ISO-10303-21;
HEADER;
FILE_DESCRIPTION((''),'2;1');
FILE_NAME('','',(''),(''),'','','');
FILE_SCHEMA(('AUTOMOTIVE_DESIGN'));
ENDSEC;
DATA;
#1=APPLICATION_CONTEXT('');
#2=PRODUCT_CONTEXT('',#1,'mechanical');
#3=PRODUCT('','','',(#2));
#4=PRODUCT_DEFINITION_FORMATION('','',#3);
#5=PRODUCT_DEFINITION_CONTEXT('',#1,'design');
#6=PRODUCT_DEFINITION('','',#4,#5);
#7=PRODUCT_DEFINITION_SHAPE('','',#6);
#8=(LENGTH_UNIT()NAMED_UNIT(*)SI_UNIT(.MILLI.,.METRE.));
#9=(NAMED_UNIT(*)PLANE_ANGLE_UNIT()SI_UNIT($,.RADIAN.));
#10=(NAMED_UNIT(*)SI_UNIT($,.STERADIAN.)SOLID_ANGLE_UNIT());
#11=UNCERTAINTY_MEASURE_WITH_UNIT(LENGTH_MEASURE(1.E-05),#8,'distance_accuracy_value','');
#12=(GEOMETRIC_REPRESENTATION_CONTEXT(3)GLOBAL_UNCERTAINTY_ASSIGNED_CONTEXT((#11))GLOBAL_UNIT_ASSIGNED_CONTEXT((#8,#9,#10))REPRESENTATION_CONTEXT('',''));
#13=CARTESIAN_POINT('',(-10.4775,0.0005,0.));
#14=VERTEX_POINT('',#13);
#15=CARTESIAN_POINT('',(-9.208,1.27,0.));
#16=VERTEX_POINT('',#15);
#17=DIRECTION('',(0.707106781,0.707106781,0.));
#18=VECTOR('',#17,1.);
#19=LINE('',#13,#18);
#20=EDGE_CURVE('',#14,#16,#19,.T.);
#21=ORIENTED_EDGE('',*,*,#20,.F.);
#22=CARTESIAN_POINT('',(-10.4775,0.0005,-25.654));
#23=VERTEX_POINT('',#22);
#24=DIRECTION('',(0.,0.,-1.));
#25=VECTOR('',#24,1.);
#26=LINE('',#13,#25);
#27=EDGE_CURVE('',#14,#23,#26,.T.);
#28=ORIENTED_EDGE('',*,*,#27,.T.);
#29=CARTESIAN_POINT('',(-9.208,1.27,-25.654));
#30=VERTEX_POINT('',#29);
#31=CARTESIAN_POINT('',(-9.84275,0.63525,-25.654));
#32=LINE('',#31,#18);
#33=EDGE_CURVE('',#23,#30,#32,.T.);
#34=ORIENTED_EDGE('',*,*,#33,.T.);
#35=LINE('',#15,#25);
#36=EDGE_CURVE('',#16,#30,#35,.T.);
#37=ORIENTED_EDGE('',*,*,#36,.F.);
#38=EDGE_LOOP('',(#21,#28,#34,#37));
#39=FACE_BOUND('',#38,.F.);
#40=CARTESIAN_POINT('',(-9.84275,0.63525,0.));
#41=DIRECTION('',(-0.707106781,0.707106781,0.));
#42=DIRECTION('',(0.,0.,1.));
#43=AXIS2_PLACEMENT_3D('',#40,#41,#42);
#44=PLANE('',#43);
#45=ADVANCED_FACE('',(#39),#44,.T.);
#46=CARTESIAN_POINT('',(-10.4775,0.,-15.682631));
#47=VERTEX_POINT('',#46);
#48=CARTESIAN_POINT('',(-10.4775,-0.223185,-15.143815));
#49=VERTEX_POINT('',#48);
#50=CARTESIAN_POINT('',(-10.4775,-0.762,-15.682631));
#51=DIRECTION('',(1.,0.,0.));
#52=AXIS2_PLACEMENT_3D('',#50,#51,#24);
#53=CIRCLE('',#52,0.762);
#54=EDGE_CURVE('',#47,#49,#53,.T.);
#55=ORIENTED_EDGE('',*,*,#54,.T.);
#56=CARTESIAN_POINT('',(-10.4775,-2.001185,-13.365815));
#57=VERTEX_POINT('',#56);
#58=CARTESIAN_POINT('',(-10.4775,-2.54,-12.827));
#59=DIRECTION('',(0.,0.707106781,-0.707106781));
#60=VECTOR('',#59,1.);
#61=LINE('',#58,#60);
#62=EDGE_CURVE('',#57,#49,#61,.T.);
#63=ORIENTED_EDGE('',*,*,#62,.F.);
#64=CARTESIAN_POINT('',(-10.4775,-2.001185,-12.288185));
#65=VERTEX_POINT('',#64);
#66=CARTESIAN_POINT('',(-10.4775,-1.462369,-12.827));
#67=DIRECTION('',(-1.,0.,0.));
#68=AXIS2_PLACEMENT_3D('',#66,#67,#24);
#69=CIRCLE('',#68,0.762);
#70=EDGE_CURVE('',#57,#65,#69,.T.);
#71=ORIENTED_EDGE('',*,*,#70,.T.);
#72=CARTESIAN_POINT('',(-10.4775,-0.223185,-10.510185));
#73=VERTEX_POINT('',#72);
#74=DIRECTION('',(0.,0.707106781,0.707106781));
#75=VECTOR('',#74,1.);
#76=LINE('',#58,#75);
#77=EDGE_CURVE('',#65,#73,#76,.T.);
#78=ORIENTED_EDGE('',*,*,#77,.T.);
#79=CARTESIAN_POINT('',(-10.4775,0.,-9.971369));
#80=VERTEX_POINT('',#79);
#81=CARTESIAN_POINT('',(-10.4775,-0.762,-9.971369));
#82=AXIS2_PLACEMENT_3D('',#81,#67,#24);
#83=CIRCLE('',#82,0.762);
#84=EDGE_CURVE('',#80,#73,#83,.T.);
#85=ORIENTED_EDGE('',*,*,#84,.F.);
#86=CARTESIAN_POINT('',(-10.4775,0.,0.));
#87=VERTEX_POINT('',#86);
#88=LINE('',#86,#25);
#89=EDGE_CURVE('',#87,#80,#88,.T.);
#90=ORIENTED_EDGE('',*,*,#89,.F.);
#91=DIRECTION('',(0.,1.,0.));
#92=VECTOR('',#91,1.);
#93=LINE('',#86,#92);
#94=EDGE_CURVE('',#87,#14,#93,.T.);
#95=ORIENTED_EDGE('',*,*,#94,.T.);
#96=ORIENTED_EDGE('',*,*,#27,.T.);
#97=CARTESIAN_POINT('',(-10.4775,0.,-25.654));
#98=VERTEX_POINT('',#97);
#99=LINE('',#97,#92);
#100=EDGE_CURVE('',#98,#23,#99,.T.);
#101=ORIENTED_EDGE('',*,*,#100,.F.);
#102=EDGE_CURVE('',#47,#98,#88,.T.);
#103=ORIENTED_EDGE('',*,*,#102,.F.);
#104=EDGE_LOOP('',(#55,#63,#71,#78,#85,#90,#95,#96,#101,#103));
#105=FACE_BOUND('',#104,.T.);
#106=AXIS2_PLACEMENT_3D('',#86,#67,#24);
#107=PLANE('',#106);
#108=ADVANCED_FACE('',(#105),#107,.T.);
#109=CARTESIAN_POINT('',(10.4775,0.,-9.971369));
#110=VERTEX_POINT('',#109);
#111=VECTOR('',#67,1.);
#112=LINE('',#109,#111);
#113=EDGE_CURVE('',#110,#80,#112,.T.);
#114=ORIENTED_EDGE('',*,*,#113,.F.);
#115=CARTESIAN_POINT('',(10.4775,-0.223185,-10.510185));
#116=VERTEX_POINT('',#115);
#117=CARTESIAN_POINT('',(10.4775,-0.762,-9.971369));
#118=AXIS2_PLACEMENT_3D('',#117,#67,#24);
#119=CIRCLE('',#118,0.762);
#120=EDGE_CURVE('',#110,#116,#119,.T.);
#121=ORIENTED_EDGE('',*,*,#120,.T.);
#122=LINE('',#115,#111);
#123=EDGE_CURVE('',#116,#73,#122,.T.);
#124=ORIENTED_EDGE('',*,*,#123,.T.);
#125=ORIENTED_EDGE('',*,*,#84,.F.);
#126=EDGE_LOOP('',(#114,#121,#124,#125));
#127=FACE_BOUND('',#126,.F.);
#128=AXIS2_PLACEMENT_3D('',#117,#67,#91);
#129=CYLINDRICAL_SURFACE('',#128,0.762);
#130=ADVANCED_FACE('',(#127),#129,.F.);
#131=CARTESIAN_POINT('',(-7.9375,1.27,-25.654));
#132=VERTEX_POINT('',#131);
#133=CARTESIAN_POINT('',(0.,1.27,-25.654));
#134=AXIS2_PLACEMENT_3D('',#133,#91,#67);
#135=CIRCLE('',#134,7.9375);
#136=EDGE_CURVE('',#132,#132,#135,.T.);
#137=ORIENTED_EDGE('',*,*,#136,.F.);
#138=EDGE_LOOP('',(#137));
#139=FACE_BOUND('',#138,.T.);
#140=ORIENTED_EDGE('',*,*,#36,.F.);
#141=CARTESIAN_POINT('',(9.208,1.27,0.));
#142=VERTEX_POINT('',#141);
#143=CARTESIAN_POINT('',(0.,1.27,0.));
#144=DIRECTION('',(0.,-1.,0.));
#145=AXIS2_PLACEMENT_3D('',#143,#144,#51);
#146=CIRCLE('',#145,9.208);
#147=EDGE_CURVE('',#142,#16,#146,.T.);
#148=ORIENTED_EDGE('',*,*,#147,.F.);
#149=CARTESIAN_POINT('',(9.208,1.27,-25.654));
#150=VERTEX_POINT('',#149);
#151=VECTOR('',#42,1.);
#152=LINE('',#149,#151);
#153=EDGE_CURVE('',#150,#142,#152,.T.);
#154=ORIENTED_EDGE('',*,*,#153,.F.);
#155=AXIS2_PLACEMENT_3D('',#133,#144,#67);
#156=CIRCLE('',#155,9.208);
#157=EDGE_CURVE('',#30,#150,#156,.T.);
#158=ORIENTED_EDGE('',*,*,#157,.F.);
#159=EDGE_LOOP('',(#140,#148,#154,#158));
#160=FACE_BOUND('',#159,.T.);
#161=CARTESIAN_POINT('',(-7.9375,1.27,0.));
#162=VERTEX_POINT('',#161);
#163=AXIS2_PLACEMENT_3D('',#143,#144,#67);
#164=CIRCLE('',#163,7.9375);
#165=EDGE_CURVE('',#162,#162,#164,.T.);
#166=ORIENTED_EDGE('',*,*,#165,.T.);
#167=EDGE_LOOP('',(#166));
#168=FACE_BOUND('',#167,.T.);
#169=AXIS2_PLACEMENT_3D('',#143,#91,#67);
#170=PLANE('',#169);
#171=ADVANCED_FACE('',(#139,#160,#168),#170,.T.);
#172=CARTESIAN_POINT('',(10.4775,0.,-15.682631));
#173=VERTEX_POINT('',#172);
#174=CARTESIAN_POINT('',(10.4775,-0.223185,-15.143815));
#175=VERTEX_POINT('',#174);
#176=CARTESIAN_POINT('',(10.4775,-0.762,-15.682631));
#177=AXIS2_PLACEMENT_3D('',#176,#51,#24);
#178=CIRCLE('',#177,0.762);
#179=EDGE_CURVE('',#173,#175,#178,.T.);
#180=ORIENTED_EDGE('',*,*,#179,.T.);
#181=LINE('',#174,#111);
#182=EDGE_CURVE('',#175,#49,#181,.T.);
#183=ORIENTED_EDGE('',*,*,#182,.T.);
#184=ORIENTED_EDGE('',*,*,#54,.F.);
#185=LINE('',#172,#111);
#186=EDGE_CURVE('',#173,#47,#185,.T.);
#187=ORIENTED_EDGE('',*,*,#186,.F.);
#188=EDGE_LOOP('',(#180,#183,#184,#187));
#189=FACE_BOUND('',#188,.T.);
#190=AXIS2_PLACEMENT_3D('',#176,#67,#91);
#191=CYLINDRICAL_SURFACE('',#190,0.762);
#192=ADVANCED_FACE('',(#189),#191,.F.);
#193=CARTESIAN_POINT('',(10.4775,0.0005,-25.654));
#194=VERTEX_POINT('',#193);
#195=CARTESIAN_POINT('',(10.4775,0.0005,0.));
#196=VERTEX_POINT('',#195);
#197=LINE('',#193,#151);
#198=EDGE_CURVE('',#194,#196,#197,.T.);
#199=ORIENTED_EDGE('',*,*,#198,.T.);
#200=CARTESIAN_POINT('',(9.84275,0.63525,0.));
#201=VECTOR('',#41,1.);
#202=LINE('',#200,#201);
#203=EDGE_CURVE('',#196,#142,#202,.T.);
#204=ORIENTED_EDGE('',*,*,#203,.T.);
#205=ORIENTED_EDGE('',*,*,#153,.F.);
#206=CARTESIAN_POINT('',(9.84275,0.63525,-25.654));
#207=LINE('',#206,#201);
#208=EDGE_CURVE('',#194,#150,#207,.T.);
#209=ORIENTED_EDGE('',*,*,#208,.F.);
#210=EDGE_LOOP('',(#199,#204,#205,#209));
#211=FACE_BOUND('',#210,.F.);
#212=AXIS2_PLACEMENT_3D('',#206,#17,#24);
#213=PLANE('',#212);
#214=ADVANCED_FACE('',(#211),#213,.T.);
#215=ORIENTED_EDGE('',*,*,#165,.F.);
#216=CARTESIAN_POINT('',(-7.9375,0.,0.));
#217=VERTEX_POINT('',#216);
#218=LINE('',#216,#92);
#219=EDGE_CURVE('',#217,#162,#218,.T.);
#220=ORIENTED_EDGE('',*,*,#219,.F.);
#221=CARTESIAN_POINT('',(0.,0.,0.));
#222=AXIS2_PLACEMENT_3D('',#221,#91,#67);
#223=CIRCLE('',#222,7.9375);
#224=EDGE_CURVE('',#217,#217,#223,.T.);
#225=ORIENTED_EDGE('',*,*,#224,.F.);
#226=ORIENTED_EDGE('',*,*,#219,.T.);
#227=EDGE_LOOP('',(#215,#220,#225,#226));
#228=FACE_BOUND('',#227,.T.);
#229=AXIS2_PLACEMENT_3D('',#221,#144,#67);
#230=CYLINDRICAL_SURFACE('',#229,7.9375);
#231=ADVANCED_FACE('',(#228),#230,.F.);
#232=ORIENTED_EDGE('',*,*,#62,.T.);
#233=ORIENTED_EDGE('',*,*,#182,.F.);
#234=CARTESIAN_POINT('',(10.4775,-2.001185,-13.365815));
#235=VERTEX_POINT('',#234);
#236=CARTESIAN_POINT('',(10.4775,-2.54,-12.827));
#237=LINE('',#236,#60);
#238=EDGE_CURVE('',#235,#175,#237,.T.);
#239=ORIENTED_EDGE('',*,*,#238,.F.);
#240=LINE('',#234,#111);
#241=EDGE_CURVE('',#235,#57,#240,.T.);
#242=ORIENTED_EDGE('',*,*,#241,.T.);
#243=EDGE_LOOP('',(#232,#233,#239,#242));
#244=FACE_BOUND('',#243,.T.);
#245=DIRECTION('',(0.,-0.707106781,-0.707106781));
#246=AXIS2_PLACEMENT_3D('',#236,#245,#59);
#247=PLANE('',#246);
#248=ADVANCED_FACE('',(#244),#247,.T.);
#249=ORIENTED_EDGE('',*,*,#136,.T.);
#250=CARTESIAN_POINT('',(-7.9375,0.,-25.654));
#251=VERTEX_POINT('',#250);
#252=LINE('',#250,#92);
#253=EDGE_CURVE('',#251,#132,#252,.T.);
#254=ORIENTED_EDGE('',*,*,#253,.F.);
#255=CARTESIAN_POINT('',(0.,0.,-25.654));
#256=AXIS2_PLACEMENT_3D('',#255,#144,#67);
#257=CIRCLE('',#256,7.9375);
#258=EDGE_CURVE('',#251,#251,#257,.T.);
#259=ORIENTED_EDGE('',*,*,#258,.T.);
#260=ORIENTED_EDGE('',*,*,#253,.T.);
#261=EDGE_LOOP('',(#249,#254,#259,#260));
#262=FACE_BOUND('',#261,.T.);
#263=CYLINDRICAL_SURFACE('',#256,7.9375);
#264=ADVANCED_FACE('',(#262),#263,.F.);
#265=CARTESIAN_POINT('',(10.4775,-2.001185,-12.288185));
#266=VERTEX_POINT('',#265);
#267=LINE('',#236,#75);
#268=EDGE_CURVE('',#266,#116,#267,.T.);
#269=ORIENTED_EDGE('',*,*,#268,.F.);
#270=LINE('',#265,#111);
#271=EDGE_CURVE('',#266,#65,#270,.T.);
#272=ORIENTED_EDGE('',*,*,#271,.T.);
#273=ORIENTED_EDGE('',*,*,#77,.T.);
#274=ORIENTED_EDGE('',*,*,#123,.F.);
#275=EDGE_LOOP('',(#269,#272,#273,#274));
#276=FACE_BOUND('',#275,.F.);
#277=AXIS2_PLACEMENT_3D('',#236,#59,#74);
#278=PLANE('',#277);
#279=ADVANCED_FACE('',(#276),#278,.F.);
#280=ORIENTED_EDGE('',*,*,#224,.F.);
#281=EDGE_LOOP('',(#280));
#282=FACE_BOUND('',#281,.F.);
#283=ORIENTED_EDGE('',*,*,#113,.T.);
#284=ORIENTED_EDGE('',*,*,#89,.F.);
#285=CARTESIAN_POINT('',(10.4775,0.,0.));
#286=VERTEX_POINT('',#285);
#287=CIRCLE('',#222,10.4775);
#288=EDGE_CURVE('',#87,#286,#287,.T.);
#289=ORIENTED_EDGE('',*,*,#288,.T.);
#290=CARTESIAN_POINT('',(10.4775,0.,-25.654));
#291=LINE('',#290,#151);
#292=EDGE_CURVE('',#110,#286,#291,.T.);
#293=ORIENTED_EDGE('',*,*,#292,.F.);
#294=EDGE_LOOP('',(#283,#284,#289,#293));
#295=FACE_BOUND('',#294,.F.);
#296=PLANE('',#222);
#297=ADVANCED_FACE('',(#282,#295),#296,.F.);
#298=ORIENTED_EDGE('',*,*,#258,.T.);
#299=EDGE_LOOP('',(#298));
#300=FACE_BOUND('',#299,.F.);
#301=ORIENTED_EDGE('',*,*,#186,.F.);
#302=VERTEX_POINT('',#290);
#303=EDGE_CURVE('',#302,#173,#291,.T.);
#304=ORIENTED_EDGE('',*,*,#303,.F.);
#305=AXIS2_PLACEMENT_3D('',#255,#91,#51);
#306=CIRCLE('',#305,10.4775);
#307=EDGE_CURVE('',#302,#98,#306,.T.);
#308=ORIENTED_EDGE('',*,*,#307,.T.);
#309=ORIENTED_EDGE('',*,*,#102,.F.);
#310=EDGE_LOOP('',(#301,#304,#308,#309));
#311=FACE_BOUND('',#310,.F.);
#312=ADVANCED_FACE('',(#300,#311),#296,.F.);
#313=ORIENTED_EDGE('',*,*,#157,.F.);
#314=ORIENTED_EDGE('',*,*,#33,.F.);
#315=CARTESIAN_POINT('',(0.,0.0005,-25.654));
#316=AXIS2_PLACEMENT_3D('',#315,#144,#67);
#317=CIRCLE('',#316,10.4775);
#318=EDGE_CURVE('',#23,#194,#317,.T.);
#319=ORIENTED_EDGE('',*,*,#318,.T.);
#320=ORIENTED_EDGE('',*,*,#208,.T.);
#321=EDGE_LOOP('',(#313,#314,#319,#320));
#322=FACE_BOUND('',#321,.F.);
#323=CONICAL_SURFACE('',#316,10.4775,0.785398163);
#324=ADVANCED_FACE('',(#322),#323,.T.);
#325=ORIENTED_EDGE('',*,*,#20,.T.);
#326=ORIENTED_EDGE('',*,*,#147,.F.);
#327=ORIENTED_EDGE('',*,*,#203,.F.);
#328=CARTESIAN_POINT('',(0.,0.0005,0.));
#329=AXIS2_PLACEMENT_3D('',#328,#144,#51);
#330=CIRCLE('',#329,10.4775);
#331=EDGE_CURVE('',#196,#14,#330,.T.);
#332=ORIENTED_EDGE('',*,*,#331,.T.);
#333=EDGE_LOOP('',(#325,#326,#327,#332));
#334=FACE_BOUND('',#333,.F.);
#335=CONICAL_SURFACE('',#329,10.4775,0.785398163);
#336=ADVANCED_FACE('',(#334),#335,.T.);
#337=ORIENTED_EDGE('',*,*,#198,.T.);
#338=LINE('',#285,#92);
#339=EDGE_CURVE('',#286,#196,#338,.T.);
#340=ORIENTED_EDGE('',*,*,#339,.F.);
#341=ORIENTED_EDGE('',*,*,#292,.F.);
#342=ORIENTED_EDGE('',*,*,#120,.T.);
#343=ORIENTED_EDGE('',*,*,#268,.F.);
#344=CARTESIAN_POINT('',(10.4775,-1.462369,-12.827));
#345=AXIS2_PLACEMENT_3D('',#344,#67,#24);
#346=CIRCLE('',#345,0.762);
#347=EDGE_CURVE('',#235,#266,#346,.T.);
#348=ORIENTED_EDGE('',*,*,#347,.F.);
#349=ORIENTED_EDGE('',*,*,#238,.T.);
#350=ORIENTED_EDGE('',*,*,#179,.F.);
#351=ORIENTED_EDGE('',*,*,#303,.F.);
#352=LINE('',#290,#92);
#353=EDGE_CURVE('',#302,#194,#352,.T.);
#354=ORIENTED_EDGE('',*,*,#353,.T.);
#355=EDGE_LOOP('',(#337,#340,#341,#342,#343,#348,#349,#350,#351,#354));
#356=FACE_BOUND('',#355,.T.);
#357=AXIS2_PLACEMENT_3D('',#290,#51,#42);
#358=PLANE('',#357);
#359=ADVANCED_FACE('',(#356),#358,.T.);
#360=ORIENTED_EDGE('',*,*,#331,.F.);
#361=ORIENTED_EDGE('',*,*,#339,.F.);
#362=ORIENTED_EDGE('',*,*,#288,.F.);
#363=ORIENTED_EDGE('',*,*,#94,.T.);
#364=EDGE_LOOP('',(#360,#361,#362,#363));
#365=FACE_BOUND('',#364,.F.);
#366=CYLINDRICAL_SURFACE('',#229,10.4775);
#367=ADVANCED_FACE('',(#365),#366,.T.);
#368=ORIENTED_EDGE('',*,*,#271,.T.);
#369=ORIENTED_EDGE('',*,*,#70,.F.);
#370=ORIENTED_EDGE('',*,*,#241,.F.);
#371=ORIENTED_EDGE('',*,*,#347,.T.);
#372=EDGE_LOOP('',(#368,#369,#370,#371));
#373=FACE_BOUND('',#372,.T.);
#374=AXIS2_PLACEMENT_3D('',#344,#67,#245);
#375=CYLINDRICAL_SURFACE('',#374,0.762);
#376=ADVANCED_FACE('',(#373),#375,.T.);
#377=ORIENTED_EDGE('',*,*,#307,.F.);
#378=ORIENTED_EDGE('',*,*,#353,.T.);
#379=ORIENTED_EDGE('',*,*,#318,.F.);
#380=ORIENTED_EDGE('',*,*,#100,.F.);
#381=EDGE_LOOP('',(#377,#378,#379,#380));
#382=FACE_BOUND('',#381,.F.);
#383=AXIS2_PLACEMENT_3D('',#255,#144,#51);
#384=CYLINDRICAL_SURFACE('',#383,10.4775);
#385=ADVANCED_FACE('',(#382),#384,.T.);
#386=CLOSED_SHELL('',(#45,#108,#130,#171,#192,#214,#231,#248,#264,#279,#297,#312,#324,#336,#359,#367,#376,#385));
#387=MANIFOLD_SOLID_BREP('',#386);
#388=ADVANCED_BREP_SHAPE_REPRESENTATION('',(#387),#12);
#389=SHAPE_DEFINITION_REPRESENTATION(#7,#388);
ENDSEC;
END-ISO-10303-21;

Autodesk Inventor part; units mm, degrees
ref_plane "YZ Plane" through (0, 0, 0) normal (1, 0, 0) x (0, 1, 0)
ref_plane "XZ Plane" through (0, 0, 0) normal (0, 1, 0) x (-1, 0, 0)
ref_plane "XY Plane" through (0, 0, 0) normal (0, 0, 1) x (1, 0, 0)
sketch "Sketch1" plane through (0, 0, 0) normal (0, 1, 0) x (-1, 0, 0)
  circle A0 centre (0, 0) radius 7.9375
  line L0 (0, -7.9375) -> (0, -17.7165)
  line L1 (0, -17.7165) -> (0, -33.5915)
  circle A1 centre (0, -25.654) radius 7.9375
  line L2 (0, 0) -> (0, -25.654) construction
  line L3 (-7.9375, 0) -> (-7.9375, -25.654)
  line L4 (7.9375, -25.654) -> (7.9375, 0)
  arc A2 (7.9375, 0) -> (-7.9375, 0) centre (0, 0) ccw
  arc A3 (-7.9375, -25.654) -> (7.9375, -25.654) centre (0, -25.654) ccw
  line L5 (10.4775, 0) -> (10.4775, -25.654)
  arc A4 (-10.4775, -25.654) -> (10.4775, -25.654) centre (0, -25.654) ccw
  line L6 (-10.4775, -25.654) -> (-10.4775, 0)
  arc A5 (10.4775, 0) -> (-10.4775, 0) centre (0, 0) ccw
  point P0 (0, -12.827)
  dimension "d0" = 15.875
  dimension "d1" = 9.779
  dimension "d2" = 15.875
  dimension "d3" = 2.54
extrude "Extrusion1" add sketch "Sketch1" along normal blind 1.27 contours L4 A1 L0 A0 | A0 L0 A1 L3 | L5 A4 L6 A5
sketch "Sketch2" plane through (10.4775, 0, 0) normal (1, 0, 0) x (0, 0, -1)
  line L0 (25.654, 0) -> (0, 0) projected
  line L1 (12.827, 0) -> (12.827, -2.54)
  line L2 (12.827, -2.54) -> (10.287, 0)
  line L3 (12.827, -2.54) -> (15.367, 0)
  dimension "d6" = 2.54
  dimension "d7" = 45
extrude "Extrusion2" add sketch "Sketch2" against normal up to surface (20.955 mm away)
fillet "Fillet1" radius 0.762 3 edges at (0, 0, -15.367) (0, -2.54, -12.827) (0, 0, -10.287)
chamfer "Chamfer1" distance 1.27 angle 45 4 edges at (10.4775, 1.27, -12.827) (0, 1.27, -36.1315) (-10.4775, 1.27, -12.827) (0, 1.27, 10.4775)
properties part number "Ultrasonic Sensor Cover_3DPrint"
